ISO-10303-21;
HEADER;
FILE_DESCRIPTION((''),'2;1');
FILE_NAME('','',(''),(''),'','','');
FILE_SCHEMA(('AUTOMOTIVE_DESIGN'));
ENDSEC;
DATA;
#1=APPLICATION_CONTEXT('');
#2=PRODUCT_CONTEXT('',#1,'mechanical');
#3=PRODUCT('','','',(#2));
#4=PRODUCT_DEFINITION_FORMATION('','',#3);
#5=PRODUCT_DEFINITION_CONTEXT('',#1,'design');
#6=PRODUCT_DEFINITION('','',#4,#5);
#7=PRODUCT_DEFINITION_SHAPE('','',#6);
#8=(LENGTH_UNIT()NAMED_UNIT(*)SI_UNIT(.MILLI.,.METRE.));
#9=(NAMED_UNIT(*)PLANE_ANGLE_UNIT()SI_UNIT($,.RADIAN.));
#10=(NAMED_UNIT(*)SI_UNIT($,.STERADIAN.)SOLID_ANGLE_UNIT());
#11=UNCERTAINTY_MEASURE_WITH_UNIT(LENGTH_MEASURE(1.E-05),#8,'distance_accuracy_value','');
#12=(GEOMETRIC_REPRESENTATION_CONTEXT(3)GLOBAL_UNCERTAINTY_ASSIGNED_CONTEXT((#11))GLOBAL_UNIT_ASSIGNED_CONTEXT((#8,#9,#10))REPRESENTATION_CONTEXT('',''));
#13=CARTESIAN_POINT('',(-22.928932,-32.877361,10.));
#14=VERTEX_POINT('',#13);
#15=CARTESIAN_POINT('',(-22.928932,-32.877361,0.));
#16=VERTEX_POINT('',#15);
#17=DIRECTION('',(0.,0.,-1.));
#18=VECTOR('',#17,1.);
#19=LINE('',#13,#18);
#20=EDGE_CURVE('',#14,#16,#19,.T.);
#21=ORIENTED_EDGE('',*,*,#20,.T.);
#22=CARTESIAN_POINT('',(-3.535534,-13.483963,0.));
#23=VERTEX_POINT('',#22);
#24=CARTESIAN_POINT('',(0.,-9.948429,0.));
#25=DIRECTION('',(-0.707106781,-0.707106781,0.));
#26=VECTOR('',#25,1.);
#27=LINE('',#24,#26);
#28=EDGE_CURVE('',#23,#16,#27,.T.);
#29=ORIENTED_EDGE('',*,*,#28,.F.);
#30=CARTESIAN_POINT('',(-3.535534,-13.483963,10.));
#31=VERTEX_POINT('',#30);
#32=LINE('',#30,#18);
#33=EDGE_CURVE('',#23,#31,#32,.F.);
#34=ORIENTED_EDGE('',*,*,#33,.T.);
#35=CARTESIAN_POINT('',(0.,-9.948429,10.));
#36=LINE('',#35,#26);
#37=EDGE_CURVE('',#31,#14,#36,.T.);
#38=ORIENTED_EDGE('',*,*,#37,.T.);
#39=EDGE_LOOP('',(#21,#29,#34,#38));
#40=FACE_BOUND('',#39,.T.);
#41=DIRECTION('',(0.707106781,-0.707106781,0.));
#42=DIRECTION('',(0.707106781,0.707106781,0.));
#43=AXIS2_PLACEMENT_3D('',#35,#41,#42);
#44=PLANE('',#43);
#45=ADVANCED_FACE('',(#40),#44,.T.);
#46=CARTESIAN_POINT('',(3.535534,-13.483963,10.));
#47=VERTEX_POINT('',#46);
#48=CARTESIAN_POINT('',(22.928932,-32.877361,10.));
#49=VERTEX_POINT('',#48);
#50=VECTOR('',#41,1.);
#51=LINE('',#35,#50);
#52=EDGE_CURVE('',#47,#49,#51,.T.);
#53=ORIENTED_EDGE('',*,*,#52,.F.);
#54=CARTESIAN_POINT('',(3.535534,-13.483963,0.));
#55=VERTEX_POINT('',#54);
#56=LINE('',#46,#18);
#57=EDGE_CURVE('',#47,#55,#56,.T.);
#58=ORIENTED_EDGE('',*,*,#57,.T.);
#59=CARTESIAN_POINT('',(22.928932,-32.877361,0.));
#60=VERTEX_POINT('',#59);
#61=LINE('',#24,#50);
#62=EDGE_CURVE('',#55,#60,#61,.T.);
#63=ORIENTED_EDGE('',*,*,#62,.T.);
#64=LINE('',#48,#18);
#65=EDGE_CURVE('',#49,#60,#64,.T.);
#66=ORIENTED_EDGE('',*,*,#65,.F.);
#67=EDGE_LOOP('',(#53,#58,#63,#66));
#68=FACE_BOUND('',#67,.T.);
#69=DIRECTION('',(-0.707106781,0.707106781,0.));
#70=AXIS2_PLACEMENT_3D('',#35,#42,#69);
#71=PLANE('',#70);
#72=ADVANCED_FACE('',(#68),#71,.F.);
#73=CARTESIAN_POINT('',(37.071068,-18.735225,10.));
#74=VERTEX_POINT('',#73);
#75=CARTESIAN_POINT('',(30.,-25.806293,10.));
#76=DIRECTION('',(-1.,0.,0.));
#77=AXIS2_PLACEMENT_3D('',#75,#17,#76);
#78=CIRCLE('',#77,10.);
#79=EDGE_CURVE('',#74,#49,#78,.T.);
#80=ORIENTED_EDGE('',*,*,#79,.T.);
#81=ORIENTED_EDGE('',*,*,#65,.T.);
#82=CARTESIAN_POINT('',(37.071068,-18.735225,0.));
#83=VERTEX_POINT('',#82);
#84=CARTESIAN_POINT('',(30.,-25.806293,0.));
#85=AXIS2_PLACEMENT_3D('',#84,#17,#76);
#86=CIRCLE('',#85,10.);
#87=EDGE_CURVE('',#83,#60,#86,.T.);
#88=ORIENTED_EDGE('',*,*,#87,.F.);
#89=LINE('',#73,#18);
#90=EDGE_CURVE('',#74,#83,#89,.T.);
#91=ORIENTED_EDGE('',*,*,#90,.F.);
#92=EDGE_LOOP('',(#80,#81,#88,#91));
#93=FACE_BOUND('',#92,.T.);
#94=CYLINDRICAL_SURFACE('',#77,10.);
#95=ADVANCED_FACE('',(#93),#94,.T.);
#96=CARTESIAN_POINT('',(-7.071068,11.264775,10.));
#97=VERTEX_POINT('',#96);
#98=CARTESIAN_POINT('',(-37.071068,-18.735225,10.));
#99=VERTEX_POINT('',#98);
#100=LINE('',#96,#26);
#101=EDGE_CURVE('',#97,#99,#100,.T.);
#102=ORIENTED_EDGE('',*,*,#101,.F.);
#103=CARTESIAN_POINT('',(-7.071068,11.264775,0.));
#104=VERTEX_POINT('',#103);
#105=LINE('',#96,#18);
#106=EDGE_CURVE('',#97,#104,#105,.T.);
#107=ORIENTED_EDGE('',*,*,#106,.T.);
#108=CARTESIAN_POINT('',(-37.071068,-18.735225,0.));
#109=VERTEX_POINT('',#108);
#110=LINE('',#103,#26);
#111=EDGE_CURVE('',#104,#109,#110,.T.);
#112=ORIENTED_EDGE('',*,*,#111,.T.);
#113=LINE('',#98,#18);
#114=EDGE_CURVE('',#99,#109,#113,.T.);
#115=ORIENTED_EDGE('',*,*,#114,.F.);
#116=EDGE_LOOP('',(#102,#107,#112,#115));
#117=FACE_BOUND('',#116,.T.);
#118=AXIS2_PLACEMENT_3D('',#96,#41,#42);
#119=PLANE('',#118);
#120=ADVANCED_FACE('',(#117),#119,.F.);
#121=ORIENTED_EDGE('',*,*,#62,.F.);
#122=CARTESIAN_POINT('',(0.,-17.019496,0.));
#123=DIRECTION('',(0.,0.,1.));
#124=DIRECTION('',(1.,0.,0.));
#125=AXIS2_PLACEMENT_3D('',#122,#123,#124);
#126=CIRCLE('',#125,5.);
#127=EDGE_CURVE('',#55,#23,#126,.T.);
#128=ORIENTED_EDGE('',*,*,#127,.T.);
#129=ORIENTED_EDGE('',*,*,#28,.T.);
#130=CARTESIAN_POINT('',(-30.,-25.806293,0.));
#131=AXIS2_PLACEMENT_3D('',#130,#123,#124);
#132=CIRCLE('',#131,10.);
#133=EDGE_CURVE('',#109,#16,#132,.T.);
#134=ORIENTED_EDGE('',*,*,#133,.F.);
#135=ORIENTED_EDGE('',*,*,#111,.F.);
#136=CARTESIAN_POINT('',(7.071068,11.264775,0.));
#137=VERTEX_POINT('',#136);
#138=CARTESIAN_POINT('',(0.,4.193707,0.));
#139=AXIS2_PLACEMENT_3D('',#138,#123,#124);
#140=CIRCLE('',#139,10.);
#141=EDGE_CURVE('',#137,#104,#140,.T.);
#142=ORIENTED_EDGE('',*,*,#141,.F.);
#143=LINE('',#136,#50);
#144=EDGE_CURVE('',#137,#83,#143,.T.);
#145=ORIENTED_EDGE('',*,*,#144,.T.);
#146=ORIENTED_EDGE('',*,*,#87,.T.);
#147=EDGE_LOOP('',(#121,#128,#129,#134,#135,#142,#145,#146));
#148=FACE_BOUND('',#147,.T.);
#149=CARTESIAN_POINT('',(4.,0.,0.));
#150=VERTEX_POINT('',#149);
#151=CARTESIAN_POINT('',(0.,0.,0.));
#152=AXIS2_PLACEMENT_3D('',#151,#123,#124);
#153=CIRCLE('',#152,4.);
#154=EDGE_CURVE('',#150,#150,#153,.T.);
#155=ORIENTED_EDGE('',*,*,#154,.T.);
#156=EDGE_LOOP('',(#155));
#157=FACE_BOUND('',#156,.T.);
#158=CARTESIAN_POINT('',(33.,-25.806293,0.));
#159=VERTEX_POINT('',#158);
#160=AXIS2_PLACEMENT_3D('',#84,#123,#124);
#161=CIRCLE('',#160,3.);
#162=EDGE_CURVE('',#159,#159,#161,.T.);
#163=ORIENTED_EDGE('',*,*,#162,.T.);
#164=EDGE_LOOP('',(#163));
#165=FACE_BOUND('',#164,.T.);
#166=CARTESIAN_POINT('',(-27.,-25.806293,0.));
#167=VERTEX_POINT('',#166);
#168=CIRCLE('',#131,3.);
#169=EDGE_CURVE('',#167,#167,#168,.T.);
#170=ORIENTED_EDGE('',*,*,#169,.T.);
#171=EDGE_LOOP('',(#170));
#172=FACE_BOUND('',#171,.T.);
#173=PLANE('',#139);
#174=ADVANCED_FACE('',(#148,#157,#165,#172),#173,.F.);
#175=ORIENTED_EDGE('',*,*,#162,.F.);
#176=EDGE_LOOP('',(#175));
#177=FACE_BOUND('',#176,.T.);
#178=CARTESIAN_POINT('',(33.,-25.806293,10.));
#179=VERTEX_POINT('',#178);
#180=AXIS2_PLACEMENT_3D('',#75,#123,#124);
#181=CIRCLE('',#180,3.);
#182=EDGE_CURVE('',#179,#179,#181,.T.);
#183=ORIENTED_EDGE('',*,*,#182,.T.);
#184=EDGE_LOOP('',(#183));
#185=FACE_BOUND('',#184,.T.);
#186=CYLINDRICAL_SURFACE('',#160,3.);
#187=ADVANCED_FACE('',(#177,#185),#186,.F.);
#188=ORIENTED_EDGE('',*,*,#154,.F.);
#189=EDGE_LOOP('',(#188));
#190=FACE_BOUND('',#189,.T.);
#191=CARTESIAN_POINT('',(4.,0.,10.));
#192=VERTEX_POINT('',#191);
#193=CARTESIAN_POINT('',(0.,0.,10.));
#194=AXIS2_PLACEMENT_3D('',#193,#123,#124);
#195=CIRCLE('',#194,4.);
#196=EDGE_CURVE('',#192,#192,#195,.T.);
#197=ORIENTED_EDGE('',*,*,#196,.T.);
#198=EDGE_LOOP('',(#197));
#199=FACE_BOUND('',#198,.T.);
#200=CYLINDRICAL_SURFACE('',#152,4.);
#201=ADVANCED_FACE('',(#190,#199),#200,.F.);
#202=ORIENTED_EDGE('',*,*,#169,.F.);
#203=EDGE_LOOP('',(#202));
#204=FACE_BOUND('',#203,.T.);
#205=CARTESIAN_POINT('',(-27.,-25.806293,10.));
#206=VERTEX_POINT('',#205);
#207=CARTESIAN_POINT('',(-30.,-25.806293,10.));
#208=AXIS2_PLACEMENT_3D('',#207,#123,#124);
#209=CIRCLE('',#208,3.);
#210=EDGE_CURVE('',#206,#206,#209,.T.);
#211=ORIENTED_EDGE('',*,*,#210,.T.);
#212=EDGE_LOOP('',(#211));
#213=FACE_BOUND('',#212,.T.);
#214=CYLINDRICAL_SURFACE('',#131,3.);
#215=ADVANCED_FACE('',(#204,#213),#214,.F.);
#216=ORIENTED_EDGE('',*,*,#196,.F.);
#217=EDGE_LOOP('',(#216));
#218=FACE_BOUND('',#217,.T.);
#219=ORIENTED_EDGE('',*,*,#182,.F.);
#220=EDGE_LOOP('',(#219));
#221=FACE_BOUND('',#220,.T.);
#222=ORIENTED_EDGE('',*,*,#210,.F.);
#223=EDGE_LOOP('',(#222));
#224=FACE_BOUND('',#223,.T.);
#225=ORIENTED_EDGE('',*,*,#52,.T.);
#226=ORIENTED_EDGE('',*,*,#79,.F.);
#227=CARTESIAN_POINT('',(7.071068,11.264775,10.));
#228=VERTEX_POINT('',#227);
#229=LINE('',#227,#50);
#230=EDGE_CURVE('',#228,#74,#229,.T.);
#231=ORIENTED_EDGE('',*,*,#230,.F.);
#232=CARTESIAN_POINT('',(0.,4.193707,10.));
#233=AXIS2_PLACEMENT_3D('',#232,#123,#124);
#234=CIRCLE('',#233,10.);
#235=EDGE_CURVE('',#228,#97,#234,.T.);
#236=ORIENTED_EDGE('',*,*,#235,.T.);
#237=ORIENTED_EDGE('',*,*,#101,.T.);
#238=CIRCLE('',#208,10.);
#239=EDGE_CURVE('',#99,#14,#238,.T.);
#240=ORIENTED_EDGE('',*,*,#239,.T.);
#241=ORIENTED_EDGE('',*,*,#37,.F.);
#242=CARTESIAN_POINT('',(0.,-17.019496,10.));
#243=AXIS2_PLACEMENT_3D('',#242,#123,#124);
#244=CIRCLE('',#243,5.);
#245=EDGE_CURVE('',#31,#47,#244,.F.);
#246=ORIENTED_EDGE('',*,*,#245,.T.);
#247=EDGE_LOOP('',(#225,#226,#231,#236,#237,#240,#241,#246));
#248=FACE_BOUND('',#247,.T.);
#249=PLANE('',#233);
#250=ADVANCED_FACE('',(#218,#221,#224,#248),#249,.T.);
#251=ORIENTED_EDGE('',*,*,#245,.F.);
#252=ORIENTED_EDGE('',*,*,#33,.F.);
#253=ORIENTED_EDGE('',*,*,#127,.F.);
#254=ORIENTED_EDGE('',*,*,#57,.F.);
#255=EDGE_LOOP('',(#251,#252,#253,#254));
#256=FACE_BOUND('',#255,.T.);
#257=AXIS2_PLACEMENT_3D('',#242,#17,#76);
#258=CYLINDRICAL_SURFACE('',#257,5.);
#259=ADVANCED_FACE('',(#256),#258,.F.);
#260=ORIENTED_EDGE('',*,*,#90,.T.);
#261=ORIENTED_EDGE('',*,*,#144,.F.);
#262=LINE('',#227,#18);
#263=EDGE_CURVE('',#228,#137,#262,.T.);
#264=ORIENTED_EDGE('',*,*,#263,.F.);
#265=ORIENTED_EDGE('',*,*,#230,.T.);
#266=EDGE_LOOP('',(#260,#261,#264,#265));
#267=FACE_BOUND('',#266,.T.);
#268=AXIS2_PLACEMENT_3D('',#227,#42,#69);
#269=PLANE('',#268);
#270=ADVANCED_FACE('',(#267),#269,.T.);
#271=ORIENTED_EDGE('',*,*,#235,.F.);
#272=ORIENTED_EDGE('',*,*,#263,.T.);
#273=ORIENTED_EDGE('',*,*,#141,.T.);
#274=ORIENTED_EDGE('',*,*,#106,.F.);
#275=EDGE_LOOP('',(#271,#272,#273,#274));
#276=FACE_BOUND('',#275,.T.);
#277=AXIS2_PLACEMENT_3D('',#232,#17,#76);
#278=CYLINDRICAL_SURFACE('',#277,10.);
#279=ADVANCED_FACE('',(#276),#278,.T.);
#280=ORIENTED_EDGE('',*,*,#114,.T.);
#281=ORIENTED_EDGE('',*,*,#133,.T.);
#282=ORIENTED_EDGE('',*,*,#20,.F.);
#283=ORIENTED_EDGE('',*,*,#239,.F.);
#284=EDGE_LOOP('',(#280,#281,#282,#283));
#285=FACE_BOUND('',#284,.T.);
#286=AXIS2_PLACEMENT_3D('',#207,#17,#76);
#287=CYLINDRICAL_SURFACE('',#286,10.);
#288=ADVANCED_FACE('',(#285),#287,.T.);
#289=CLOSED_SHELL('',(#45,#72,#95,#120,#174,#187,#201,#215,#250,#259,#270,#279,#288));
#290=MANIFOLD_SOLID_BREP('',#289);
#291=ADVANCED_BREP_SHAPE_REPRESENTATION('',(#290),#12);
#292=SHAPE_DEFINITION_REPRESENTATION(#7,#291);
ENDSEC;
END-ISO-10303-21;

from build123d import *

# Parameters (mm, degrees)
EXTRUDE_1_DEPTH     = 10
SKETCH_2_R          = 4
SKETCH_2_R_2        = 3
CUT_EXTRUDE_1_DEPTH = 10
FILLET_1_R          = 5


with BuildPart() as part:
    # 草图1 → 凸台-拉伸1 (new body)
    with BuildSketch(Plane.XY):
        with BuildLine():
            Line((-7.071067812, 11.264774836), (-37.071067812, -18.735225164))
            ThreePointArc((-37.071067812, -18.735225164), (-37.071067812, -32.877360787), (-22.928932188, -32.877360787))
            Line((-22.928932188, -32.877360787), (0, -9.948428599))
            Line((0, -9.948428599), (22.928932188, -32.877360787))
            ThreePointArc((22.928932188, -32.877360787), (37.071067812, -32.877360787), (37.071067812, -18.735225164))
            Line((37.071067812, -18.735225164), (7.071067812, 11.264774836))
            ThreePointArc((7.071067812, 11.264774836), (0, 14.193707024), (-7.071067812, 11.264774836))
        make_face()
    extrude(amount=EXTRUDE_1_DEPTH)

    # 草图2 → 切除-拉伸1 (cut)
    with BuildSketch(Plane.XY.offset(10)):
        Circle(SKETCH_2_R)
        with Locations((-30, -25.806292976)):
            Circle(SKETCH_2_R_2)
        with Locations((30, -25.806292976)):
            Circle(SKETCH_2_R_2)
    extrude(amount=-CUT_EXTRUDE_1_DEPTH, mode=Mode.SUBTRACT)

    # 圆角1
    fillet_1_edges = [part.edges().sort_by_distance(p)[0] for p in [
        (0, -9.948428599, 5),
    ]]
    fillet(fillet_1_edges, radius=FILLET_1_R)


solid = part.part
